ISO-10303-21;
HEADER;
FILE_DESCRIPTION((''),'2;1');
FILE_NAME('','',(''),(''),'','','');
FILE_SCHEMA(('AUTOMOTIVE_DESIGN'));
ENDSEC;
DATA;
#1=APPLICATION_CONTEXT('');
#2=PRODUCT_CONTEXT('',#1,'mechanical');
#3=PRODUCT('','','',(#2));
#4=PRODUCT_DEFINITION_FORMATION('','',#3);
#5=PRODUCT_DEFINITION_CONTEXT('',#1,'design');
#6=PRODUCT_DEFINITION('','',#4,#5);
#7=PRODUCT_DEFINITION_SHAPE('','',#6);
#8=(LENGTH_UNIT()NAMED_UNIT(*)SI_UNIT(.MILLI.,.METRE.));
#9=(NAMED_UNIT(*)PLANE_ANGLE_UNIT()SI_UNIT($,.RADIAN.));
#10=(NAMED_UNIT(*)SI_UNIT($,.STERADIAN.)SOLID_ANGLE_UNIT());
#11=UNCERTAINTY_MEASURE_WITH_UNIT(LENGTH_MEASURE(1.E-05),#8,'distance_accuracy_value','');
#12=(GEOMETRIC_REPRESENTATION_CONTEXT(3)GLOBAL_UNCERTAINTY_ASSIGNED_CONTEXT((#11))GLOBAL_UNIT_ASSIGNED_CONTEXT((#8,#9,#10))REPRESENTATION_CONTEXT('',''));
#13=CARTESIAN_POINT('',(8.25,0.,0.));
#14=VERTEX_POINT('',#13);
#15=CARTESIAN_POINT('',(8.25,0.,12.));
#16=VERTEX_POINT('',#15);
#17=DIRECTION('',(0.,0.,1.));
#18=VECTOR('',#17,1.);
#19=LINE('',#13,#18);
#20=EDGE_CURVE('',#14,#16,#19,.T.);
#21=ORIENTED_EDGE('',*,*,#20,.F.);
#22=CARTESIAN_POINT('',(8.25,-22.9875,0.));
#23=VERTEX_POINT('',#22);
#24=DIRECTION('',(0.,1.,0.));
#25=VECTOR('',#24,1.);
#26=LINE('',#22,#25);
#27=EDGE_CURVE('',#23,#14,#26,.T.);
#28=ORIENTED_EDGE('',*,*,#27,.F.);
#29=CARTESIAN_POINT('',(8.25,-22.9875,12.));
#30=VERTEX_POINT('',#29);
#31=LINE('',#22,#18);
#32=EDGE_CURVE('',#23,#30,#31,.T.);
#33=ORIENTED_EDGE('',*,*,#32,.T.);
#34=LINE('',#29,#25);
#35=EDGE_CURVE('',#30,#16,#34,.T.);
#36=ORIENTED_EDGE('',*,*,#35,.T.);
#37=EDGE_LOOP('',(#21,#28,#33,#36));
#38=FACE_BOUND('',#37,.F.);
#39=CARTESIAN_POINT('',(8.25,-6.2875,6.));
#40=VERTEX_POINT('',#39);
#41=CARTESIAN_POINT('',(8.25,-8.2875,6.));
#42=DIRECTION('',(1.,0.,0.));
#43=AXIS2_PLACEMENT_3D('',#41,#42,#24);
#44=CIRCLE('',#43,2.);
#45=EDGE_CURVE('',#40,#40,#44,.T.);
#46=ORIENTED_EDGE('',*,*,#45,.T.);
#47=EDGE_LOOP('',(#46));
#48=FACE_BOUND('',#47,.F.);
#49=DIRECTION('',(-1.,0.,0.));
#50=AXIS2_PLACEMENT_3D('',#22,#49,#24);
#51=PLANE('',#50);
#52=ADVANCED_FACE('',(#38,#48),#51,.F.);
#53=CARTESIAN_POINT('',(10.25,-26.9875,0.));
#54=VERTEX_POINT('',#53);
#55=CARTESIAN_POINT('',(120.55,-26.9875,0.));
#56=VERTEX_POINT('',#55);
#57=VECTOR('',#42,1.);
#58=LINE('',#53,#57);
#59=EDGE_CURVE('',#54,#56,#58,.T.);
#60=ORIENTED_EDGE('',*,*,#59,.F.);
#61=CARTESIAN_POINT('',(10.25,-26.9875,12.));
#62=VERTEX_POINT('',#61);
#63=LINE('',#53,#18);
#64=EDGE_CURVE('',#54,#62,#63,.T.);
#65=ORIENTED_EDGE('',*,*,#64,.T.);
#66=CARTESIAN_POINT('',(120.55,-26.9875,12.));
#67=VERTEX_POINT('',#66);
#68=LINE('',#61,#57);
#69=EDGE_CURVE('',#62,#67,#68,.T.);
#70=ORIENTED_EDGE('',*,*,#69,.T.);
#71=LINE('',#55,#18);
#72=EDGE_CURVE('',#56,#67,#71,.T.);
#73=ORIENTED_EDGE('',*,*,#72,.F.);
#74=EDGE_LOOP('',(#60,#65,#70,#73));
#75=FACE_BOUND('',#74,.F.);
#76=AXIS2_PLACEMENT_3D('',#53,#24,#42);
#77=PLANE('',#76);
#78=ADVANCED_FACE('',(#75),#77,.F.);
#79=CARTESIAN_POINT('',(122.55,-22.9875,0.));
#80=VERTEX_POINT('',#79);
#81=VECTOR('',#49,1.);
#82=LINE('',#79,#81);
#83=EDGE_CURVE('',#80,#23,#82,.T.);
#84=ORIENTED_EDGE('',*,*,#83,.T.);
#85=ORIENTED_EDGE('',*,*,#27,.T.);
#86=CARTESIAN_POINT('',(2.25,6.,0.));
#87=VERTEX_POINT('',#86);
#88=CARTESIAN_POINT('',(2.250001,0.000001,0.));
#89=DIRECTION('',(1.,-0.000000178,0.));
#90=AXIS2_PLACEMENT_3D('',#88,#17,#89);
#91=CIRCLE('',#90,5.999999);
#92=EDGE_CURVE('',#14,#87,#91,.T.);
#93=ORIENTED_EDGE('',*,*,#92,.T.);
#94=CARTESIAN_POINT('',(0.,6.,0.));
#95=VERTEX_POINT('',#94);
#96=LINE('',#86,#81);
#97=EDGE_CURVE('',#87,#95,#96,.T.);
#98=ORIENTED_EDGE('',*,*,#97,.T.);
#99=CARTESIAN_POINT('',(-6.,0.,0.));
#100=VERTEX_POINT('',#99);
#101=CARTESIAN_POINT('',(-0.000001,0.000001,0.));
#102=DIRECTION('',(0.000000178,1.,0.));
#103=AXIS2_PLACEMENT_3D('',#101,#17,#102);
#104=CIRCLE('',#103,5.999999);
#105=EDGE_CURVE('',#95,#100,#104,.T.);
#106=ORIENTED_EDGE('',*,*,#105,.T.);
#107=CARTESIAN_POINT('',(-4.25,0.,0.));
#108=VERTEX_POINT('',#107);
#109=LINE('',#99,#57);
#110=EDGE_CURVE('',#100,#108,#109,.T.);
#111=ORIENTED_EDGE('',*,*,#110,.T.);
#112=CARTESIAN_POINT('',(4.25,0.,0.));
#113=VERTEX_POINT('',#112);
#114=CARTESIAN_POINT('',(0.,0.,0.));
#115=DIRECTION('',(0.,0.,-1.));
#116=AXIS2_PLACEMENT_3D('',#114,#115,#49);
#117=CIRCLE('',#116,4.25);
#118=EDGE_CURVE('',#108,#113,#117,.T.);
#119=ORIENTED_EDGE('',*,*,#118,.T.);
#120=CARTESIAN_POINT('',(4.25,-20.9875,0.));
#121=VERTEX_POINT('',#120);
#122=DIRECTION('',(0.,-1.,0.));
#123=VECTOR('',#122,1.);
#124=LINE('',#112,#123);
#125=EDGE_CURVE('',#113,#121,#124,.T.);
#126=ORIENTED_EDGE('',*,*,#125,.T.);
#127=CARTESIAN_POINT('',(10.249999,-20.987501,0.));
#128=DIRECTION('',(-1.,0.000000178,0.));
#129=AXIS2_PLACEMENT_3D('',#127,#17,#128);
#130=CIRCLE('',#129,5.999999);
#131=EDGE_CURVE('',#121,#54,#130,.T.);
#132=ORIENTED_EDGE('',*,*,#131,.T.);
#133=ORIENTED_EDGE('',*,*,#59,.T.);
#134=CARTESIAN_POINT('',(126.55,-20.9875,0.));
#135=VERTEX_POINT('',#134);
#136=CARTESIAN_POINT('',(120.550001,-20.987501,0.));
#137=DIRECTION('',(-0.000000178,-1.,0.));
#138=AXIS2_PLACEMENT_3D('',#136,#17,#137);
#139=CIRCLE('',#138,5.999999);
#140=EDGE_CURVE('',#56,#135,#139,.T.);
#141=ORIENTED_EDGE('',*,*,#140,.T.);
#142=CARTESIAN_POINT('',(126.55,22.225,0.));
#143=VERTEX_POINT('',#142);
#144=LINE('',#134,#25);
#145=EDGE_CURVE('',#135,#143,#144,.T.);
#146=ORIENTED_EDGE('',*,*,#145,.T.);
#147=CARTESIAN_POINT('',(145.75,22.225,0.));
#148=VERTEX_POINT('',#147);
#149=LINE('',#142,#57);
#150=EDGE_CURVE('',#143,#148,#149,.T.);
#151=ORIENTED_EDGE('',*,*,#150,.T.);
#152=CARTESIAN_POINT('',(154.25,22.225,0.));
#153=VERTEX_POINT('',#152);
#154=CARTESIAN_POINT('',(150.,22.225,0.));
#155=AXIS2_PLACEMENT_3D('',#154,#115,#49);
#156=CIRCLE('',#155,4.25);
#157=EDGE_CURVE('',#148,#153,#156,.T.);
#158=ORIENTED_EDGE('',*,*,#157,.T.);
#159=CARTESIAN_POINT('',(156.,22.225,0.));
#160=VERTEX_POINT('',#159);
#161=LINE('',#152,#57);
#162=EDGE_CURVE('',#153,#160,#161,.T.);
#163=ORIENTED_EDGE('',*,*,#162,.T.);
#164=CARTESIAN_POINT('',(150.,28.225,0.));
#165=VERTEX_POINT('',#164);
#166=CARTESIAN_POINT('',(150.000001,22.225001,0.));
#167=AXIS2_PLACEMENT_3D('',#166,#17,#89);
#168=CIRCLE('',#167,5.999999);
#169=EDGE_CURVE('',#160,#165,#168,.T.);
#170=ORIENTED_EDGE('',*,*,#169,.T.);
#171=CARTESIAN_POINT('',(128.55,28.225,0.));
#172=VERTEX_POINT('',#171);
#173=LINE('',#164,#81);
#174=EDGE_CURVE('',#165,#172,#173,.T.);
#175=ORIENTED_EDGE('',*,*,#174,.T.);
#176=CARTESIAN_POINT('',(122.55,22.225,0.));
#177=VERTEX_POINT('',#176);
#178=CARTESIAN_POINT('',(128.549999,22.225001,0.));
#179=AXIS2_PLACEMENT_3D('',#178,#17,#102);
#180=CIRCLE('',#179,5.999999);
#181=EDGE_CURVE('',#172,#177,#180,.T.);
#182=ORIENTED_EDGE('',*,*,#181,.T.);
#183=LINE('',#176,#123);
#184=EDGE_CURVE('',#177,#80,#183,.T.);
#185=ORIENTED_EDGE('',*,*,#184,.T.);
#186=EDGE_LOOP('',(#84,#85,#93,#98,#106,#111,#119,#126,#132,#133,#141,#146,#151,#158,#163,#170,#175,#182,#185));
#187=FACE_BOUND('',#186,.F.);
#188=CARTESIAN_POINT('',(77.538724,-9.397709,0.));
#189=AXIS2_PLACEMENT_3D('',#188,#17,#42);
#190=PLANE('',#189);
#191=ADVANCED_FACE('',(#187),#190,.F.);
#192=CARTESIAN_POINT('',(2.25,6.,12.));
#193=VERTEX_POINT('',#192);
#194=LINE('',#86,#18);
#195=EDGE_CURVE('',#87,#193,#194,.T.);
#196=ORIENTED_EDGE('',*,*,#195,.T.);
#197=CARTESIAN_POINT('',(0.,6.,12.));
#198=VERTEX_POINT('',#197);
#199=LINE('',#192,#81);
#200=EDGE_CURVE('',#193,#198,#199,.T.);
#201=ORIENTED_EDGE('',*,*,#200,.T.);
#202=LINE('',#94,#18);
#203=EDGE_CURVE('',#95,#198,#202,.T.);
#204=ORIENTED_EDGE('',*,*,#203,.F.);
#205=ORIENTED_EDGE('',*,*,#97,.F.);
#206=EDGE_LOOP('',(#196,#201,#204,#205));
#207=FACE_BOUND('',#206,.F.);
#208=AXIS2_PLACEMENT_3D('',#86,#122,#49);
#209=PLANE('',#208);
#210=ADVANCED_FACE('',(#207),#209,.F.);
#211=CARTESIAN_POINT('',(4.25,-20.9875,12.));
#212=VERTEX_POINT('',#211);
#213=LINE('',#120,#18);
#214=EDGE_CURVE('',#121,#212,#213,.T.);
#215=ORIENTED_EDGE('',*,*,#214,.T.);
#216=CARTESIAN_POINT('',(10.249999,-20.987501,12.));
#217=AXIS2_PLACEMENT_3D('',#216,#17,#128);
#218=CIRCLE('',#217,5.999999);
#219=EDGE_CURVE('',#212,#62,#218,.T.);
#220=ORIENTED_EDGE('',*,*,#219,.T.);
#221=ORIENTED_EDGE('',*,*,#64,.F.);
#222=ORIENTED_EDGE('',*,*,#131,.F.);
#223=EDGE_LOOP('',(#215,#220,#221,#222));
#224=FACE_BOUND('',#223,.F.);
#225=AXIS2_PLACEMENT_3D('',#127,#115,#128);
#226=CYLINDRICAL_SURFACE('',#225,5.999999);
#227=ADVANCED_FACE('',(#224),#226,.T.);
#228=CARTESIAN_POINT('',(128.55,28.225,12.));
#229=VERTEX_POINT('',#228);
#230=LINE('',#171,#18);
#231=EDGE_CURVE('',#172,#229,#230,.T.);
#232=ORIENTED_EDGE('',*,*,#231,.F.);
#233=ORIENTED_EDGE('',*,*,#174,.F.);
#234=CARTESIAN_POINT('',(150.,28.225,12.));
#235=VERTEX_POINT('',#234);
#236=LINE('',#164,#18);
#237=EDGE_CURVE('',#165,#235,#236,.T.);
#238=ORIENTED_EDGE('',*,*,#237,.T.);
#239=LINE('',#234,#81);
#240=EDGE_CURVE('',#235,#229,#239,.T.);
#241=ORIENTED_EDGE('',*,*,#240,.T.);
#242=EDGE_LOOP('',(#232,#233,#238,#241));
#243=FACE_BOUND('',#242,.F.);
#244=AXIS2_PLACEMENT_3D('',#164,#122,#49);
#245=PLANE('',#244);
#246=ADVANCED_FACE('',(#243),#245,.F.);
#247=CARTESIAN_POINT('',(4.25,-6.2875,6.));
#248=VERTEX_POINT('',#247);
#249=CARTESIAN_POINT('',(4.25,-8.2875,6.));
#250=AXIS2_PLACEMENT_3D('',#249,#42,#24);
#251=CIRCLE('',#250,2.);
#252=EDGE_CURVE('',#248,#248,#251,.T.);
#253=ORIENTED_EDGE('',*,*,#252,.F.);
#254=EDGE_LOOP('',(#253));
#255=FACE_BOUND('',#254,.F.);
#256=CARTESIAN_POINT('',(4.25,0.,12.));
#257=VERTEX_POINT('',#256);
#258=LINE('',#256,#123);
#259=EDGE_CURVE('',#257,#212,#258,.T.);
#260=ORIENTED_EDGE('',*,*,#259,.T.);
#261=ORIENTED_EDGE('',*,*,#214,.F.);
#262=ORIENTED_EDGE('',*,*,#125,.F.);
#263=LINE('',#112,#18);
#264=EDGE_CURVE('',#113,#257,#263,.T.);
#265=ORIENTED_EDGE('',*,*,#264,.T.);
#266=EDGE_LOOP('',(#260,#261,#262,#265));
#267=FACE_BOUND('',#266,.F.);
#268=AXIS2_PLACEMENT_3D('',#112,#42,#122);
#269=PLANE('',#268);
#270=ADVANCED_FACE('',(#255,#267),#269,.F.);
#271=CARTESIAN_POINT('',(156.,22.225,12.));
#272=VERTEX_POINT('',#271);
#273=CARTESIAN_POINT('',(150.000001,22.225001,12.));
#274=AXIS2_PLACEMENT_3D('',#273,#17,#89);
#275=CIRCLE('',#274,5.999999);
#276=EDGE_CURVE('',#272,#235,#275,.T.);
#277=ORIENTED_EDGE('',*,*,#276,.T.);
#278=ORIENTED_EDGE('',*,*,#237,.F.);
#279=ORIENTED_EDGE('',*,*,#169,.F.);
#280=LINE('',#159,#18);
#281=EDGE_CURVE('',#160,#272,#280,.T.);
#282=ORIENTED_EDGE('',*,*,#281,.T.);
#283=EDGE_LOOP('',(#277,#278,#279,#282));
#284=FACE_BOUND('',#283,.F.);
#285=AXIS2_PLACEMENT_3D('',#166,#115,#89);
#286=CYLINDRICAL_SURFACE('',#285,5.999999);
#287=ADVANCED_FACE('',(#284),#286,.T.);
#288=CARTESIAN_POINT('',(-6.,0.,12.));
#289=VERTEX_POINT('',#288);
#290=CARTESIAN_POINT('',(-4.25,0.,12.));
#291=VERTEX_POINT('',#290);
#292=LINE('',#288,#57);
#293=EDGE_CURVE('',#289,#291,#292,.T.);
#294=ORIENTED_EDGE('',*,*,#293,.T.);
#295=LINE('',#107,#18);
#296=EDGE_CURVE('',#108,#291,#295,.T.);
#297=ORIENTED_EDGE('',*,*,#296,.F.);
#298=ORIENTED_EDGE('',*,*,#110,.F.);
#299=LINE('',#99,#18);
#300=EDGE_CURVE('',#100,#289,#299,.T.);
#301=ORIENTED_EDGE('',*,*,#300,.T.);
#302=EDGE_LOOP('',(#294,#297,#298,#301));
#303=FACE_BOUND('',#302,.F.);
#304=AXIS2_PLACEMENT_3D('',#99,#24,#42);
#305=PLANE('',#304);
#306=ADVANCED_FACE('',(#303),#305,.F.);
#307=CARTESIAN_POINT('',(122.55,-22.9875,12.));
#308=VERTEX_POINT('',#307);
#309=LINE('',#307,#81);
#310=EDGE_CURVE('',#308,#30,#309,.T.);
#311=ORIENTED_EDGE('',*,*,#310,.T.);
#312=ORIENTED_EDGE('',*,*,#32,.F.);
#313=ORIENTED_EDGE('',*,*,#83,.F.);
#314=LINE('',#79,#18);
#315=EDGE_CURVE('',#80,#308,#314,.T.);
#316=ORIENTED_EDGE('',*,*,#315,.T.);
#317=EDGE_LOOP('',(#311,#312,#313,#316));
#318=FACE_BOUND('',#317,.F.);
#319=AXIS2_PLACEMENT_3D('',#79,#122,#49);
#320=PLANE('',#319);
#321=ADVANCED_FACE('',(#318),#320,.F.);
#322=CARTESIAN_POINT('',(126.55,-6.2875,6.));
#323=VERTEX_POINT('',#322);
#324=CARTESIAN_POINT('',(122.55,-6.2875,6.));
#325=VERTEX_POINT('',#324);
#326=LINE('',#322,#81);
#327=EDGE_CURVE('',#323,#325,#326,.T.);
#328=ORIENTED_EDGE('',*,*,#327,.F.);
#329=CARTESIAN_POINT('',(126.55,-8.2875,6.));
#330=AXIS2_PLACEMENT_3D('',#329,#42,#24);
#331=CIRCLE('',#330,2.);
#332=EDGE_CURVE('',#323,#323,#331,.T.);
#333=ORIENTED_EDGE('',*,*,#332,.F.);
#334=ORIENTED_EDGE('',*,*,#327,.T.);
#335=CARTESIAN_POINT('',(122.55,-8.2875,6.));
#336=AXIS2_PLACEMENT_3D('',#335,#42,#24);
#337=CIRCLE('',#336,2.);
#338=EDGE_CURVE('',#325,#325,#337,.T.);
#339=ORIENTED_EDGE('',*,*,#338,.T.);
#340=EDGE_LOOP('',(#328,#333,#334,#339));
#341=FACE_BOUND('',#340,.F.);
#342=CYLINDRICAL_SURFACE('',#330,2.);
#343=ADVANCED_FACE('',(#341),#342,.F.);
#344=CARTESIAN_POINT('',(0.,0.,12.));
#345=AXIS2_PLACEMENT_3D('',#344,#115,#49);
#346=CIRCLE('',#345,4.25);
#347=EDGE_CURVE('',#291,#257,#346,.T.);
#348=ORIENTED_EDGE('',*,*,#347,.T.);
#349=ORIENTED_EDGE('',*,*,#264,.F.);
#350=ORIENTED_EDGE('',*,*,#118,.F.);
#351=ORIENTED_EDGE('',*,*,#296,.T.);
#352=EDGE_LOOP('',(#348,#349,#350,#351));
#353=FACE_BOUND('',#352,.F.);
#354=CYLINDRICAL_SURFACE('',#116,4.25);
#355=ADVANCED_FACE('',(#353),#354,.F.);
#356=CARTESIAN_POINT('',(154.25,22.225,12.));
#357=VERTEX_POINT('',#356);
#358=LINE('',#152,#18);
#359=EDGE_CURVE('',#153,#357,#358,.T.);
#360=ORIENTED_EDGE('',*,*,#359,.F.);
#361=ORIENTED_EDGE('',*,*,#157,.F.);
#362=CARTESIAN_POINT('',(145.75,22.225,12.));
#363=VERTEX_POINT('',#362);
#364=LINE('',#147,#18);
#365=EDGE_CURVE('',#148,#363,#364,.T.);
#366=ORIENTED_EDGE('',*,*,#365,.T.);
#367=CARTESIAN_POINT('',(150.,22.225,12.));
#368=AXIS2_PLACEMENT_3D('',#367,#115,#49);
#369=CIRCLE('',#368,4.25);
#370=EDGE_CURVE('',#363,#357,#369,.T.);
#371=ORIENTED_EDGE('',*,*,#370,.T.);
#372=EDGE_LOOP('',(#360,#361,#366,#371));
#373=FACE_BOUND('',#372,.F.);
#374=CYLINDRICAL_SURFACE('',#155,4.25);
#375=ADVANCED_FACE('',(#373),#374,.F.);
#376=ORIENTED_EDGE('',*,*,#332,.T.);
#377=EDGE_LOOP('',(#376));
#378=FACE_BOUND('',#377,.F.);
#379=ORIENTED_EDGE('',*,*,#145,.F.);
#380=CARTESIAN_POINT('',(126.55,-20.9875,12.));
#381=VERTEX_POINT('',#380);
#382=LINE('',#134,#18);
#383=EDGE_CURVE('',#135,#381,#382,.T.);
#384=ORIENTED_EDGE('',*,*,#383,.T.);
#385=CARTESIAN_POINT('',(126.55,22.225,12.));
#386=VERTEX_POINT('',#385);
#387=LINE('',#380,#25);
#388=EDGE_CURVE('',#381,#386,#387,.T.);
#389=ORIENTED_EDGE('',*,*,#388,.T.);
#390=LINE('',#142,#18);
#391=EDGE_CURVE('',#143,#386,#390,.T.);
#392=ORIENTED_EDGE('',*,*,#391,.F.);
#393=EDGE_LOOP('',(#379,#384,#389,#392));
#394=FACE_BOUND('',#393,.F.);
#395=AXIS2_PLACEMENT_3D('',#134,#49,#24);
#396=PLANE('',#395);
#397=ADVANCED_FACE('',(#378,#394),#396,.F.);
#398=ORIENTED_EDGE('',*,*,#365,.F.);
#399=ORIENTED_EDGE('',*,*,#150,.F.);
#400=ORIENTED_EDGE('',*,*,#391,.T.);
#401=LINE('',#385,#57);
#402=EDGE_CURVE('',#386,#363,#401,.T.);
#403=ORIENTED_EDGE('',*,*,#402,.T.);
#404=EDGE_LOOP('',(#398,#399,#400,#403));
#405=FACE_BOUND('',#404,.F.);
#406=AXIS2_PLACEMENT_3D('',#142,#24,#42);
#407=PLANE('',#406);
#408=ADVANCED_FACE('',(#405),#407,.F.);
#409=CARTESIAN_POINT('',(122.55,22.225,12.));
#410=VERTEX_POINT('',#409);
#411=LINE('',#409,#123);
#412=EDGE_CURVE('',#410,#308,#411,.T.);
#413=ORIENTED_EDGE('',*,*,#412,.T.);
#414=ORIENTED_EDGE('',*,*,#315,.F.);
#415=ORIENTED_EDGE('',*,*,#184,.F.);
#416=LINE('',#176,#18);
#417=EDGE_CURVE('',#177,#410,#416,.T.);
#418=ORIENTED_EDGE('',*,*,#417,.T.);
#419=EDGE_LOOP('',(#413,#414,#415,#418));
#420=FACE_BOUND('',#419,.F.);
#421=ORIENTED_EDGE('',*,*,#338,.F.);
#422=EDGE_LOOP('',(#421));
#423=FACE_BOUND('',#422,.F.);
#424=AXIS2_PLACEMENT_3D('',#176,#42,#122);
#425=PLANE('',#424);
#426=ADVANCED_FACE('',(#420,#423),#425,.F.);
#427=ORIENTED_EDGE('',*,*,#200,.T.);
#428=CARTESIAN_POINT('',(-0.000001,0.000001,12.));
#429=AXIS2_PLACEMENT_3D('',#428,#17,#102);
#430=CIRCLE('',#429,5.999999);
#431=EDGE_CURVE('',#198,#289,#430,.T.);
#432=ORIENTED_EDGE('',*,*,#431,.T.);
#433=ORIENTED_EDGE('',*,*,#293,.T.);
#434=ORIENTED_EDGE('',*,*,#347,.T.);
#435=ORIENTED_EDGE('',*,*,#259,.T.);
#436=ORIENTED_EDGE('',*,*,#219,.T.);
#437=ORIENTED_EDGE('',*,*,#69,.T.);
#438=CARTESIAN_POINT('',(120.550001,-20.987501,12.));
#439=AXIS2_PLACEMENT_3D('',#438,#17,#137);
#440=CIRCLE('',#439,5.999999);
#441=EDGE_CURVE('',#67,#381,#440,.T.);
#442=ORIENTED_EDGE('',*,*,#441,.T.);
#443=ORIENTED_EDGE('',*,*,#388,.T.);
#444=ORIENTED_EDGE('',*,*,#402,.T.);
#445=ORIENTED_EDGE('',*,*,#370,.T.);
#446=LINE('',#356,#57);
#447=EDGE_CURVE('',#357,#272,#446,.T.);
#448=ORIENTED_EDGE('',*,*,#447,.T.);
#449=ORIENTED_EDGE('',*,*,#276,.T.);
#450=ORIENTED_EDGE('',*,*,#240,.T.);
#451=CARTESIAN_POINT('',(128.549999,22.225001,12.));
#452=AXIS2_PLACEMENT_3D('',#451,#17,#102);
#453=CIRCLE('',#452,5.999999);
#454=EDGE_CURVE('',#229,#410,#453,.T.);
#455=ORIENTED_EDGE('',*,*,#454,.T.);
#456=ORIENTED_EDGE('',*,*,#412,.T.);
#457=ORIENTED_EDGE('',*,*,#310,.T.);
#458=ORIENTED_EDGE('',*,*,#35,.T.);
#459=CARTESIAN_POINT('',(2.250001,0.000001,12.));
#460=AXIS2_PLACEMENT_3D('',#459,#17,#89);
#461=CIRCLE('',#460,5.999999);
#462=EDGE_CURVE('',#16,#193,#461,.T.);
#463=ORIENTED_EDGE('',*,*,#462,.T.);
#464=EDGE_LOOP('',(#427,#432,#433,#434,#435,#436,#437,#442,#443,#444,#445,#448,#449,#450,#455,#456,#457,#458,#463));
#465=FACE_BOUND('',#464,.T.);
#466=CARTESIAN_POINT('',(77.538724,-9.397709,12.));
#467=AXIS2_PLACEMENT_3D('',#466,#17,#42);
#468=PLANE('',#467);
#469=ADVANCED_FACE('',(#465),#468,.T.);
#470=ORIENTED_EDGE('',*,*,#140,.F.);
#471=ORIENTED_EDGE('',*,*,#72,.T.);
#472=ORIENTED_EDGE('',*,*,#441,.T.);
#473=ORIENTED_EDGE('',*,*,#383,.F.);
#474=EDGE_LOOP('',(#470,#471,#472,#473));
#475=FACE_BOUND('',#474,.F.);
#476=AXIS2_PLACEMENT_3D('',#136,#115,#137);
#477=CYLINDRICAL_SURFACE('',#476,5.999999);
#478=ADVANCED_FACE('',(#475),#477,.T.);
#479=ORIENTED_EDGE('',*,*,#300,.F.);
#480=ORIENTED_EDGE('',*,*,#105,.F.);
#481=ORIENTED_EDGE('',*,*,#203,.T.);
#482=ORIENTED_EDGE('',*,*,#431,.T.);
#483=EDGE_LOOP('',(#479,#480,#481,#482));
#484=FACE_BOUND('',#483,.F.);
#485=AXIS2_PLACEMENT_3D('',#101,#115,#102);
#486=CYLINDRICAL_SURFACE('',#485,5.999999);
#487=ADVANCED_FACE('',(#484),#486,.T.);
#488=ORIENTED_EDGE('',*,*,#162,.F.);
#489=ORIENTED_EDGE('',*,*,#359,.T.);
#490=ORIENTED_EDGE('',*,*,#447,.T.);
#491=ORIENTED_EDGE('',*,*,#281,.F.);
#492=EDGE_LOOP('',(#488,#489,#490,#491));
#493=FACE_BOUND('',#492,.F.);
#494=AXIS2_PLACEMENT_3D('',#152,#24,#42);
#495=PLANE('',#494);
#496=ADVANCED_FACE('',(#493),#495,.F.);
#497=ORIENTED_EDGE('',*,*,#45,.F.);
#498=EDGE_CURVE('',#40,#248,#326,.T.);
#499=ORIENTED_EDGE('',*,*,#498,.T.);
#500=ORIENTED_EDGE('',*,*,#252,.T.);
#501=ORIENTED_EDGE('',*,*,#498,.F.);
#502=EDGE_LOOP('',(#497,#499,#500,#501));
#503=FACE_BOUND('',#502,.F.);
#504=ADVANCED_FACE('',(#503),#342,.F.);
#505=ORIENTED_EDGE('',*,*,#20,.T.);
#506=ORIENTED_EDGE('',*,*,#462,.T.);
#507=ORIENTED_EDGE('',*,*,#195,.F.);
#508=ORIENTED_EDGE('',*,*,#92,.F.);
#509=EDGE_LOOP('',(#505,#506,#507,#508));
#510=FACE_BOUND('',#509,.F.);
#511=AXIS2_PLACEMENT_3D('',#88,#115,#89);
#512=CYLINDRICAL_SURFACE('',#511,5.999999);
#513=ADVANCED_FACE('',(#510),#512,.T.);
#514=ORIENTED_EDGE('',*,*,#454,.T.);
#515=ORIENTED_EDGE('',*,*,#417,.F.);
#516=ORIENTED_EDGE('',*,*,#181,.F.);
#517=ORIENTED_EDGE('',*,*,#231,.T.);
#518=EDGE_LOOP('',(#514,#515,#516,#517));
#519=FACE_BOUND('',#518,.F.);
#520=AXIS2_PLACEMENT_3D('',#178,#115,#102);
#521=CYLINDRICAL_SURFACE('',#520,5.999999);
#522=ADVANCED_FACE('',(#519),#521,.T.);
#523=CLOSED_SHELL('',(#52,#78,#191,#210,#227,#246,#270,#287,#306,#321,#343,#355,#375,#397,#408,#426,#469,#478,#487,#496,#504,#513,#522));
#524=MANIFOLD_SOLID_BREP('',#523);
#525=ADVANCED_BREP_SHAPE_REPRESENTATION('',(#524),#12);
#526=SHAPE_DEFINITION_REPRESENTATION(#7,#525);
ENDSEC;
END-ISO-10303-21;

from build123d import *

# Parameters (mm, degrees)
F1_DEPTH = 12
F2_R     = 2
F3_DEPTH = 132.551


with BuildPart() as f1:
    # F0 (on Top) → F1 (new body)
    with BuildSketch(Plane.XY):
        with BuildLine():
            ThreePointArc((-4.25, 0), (0, 4.25), (4.25, 0))
            Line((4.25, 0), (4.25, -20.9875))
            ThreePointArc((4.25, -20.9875), (6.007359, -25.230141), (10.25, -26.9875))
            Line((10.25, -26.9875), (120.55, -26.9875))
            ThreePointArc((120.55, -26.9875), (124.792641, -25.230141), (126.55, -20.9875))
            Line((126.55, -20.9875), (126.55, 22.225))
            Line((126.55, 22.225), (145.75, 22.225))
            ThreePointArc((145.75, 22.225), (150, 26.475), (154.25, 22.225))
            Line((154.25, 22.225), (156, 22.225))
            ThreePointArc((156, 22.225), (154.242641, 26.467641), (150, 28.225))
            Line((150, 28.225), (128.55, 28.225))
            ThreePointArc((128.55, 28.225), (124.307359, 26.467641), (122.55, 22.225))
            Line((122.55, 22.225), (122.55, -22.9875))
            Line((122.55, -22.9875), (8.25, -22.9875))
            Line((8.25, -22.9875), (8.25, 0))
            ThreePointArc((8.25, 0), (6.492641, 4.242641), (2.25, 6))
            Line((2.25, 6), (0, 6))
            ThreePointArc((0, 6), (-4.242641, 4.242641), (-6, 0))
            Line((-6, 0), (-4.25, 0))
        make_face()
    extrude(amount=F1_DEPTH)

    # F2 (on face) → F3 (cut, through all)
    with BuildSketch(Plane.YZ.offset(126.55)):
        with Locations((-8.2875, 6)):
            Circle(F2_R)
    extrude(amount=-F3_DEPTH, mode=Mode.SUBTRACT)


solid = f1.part
